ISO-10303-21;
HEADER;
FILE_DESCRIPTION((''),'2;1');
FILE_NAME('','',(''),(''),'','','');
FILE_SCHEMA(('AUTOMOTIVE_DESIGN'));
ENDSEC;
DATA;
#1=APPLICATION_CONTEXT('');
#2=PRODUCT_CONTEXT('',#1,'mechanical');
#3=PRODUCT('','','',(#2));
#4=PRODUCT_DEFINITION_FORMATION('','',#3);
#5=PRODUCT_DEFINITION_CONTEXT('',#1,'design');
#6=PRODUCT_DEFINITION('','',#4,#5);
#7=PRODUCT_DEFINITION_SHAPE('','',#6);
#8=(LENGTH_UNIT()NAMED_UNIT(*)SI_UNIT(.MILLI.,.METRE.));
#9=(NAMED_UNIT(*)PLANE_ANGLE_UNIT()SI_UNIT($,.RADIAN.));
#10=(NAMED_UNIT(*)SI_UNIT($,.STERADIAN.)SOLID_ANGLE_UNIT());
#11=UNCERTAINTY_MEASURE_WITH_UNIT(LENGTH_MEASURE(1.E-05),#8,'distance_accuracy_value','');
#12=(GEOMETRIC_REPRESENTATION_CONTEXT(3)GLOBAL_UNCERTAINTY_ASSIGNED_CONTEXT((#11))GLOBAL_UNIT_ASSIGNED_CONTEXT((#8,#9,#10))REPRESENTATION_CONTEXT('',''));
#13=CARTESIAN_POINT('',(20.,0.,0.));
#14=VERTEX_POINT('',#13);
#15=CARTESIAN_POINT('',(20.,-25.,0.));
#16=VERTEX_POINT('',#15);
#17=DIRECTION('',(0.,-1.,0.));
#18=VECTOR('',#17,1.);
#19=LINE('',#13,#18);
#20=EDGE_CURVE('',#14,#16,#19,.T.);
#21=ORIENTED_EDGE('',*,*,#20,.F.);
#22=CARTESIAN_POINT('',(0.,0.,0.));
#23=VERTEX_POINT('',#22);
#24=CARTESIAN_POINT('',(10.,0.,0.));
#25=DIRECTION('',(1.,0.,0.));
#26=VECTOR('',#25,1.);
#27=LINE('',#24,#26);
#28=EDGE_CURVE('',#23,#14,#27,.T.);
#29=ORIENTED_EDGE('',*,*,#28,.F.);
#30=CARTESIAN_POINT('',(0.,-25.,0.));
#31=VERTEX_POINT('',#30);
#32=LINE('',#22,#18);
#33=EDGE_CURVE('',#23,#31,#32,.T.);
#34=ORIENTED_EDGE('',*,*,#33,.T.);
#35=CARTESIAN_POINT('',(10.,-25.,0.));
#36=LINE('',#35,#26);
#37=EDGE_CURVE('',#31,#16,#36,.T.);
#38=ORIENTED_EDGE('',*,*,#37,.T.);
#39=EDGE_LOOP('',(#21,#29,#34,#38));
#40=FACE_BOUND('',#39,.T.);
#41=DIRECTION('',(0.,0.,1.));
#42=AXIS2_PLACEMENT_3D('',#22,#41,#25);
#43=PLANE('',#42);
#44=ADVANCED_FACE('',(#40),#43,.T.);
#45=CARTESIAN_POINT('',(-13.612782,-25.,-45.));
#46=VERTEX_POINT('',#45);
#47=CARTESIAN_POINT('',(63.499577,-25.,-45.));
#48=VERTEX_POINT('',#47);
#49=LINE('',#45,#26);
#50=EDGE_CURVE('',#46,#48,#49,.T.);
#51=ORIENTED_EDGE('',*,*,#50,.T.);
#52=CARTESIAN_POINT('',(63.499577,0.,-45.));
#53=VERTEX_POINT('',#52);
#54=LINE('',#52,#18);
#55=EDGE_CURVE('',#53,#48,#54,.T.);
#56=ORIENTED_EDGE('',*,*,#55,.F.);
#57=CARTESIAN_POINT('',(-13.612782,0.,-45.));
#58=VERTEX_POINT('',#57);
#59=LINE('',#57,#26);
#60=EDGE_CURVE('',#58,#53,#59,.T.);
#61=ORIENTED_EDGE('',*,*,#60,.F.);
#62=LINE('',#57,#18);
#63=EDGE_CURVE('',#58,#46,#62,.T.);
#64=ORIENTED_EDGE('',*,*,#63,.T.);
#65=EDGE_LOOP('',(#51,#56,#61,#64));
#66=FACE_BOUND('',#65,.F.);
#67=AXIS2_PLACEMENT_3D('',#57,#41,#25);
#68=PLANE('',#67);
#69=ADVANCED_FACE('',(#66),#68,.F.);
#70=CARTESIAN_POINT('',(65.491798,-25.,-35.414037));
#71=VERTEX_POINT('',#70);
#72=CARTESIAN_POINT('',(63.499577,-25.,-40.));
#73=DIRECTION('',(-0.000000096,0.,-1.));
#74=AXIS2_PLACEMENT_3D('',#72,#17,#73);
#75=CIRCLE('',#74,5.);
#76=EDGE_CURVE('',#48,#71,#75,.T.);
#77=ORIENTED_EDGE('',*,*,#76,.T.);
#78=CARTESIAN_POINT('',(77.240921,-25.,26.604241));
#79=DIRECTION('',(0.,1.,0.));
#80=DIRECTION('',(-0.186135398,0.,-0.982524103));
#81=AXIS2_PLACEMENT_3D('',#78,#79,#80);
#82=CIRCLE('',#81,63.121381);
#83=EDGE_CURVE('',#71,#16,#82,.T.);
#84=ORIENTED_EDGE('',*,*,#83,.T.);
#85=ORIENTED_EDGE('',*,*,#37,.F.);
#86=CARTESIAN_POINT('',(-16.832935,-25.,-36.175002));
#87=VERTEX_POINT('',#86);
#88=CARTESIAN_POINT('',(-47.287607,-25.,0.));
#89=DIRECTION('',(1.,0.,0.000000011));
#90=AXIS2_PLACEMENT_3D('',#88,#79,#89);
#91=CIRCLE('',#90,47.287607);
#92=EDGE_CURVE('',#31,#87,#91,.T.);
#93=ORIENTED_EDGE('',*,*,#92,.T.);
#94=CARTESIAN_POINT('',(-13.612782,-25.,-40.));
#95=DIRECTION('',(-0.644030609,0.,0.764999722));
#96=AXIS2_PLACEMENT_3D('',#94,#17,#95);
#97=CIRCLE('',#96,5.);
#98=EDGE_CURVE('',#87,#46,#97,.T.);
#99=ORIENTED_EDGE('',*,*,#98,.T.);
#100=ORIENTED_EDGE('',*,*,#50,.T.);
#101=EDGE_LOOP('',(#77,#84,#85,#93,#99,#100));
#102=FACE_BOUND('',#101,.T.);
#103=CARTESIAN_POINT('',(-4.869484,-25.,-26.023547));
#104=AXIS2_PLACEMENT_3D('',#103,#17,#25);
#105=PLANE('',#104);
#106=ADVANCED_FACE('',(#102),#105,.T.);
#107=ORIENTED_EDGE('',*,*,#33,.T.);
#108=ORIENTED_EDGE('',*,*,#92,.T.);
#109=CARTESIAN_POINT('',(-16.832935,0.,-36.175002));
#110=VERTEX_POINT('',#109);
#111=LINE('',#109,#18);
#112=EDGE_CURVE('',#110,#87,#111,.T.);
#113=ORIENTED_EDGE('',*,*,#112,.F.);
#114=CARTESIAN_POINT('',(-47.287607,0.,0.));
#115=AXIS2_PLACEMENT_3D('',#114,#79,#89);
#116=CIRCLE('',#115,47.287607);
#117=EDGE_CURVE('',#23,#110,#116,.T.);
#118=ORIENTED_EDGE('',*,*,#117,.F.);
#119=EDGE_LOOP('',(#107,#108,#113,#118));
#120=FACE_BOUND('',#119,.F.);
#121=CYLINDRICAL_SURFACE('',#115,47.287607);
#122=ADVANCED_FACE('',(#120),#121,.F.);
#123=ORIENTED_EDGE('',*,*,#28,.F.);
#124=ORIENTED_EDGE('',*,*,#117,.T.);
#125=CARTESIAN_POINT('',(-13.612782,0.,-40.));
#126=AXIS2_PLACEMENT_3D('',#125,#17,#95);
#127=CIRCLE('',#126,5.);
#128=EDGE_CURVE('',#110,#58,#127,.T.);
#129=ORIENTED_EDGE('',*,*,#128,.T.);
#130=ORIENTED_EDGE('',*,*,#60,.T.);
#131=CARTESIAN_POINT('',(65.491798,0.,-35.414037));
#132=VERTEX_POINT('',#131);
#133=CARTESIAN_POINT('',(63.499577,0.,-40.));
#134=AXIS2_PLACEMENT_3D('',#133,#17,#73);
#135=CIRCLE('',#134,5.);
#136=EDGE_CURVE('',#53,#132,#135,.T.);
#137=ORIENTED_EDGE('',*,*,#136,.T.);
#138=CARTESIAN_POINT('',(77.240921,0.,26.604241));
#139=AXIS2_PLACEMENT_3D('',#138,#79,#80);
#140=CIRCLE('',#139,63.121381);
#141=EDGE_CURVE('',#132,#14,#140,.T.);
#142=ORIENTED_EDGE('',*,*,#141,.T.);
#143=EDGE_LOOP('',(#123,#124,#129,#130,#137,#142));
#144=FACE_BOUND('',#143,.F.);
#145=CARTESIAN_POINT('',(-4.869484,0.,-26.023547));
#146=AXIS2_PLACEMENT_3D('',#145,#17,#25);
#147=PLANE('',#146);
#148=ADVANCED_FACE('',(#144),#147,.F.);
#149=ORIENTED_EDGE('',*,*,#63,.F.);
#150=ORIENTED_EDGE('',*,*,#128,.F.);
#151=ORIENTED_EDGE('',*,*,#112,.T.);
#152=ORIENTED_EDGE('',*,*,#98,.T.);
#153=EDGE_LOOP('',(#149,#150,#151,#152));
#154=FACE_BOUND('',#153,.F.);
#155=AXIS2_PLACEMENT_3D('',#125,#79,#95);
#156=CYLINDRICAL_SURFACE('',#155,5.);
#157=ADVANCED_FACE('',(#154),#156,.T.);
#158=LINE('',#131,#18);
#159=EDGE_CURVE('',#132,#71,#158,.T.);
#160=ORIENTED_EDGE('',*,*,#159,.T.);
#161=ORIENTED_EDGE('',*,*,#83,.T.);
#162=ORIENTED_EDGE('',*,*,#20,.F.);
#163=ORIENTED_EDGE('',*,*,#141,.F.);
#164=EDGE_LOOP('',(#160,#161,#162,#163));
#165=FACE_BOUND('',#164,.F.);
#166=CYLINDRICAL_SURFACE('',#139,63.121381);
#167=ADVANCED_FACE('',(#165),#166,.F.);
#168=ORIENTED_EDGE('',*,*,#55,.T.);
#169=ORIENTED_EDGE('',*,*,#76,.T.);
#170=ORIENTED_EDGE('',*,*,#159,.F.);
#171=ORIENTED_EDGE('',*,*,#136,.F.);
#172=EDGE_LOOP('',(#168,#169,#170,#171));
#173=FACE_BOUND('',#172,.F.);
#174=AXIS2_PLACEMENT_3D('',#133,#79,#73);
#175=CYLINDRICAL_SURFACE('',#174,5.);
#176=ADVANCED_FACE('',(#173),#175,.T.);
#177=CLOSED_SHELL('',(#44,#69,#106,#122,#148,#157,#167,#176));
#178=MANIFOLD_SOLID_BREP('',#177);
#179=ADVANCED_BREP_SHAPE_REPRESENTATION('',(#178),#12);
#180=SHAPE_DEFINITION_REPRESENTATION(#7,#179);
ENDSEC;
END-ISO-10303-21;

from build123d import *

# Parameters (mm, degrees)
F0_W     = 20
F0_H     = 45
F1_DEPTH = 25


with BuildPart() as f1:
    # F0 (on Front) → F1 (new body)
    with BuildSketch(Plane.XZ):
        with BuildLine():
            Line((0, -45), (0, 0))
            ThreePointArc((0, 0), (-4.414268, -19.949802), (-16.832935, -36.175002))
            ThreePointArc((-16.832935, -36.175002), (-18.309855, -41.713915), (-13.612782, -45))
            Line((-13.612782, -45), (0, -45))
        make_face()
        with Locations((10, -22.5)):
            Rectangle(F0_W, F0_H)
        with BuildLine():
            ThreePointArc((65.491798, -35.414037), (38.466638, -23.204028), (20, 0))
            Line((20, 0), (20, -45))
            Line((20, -45), (63.499577, -45))
            ThreePointArc((63.499577, -45), (68.394974, -41.017395), (65.491798, -35.414037))
        make_face()
    extrude(amount=F1_DEPTH)


solid = f1.part
